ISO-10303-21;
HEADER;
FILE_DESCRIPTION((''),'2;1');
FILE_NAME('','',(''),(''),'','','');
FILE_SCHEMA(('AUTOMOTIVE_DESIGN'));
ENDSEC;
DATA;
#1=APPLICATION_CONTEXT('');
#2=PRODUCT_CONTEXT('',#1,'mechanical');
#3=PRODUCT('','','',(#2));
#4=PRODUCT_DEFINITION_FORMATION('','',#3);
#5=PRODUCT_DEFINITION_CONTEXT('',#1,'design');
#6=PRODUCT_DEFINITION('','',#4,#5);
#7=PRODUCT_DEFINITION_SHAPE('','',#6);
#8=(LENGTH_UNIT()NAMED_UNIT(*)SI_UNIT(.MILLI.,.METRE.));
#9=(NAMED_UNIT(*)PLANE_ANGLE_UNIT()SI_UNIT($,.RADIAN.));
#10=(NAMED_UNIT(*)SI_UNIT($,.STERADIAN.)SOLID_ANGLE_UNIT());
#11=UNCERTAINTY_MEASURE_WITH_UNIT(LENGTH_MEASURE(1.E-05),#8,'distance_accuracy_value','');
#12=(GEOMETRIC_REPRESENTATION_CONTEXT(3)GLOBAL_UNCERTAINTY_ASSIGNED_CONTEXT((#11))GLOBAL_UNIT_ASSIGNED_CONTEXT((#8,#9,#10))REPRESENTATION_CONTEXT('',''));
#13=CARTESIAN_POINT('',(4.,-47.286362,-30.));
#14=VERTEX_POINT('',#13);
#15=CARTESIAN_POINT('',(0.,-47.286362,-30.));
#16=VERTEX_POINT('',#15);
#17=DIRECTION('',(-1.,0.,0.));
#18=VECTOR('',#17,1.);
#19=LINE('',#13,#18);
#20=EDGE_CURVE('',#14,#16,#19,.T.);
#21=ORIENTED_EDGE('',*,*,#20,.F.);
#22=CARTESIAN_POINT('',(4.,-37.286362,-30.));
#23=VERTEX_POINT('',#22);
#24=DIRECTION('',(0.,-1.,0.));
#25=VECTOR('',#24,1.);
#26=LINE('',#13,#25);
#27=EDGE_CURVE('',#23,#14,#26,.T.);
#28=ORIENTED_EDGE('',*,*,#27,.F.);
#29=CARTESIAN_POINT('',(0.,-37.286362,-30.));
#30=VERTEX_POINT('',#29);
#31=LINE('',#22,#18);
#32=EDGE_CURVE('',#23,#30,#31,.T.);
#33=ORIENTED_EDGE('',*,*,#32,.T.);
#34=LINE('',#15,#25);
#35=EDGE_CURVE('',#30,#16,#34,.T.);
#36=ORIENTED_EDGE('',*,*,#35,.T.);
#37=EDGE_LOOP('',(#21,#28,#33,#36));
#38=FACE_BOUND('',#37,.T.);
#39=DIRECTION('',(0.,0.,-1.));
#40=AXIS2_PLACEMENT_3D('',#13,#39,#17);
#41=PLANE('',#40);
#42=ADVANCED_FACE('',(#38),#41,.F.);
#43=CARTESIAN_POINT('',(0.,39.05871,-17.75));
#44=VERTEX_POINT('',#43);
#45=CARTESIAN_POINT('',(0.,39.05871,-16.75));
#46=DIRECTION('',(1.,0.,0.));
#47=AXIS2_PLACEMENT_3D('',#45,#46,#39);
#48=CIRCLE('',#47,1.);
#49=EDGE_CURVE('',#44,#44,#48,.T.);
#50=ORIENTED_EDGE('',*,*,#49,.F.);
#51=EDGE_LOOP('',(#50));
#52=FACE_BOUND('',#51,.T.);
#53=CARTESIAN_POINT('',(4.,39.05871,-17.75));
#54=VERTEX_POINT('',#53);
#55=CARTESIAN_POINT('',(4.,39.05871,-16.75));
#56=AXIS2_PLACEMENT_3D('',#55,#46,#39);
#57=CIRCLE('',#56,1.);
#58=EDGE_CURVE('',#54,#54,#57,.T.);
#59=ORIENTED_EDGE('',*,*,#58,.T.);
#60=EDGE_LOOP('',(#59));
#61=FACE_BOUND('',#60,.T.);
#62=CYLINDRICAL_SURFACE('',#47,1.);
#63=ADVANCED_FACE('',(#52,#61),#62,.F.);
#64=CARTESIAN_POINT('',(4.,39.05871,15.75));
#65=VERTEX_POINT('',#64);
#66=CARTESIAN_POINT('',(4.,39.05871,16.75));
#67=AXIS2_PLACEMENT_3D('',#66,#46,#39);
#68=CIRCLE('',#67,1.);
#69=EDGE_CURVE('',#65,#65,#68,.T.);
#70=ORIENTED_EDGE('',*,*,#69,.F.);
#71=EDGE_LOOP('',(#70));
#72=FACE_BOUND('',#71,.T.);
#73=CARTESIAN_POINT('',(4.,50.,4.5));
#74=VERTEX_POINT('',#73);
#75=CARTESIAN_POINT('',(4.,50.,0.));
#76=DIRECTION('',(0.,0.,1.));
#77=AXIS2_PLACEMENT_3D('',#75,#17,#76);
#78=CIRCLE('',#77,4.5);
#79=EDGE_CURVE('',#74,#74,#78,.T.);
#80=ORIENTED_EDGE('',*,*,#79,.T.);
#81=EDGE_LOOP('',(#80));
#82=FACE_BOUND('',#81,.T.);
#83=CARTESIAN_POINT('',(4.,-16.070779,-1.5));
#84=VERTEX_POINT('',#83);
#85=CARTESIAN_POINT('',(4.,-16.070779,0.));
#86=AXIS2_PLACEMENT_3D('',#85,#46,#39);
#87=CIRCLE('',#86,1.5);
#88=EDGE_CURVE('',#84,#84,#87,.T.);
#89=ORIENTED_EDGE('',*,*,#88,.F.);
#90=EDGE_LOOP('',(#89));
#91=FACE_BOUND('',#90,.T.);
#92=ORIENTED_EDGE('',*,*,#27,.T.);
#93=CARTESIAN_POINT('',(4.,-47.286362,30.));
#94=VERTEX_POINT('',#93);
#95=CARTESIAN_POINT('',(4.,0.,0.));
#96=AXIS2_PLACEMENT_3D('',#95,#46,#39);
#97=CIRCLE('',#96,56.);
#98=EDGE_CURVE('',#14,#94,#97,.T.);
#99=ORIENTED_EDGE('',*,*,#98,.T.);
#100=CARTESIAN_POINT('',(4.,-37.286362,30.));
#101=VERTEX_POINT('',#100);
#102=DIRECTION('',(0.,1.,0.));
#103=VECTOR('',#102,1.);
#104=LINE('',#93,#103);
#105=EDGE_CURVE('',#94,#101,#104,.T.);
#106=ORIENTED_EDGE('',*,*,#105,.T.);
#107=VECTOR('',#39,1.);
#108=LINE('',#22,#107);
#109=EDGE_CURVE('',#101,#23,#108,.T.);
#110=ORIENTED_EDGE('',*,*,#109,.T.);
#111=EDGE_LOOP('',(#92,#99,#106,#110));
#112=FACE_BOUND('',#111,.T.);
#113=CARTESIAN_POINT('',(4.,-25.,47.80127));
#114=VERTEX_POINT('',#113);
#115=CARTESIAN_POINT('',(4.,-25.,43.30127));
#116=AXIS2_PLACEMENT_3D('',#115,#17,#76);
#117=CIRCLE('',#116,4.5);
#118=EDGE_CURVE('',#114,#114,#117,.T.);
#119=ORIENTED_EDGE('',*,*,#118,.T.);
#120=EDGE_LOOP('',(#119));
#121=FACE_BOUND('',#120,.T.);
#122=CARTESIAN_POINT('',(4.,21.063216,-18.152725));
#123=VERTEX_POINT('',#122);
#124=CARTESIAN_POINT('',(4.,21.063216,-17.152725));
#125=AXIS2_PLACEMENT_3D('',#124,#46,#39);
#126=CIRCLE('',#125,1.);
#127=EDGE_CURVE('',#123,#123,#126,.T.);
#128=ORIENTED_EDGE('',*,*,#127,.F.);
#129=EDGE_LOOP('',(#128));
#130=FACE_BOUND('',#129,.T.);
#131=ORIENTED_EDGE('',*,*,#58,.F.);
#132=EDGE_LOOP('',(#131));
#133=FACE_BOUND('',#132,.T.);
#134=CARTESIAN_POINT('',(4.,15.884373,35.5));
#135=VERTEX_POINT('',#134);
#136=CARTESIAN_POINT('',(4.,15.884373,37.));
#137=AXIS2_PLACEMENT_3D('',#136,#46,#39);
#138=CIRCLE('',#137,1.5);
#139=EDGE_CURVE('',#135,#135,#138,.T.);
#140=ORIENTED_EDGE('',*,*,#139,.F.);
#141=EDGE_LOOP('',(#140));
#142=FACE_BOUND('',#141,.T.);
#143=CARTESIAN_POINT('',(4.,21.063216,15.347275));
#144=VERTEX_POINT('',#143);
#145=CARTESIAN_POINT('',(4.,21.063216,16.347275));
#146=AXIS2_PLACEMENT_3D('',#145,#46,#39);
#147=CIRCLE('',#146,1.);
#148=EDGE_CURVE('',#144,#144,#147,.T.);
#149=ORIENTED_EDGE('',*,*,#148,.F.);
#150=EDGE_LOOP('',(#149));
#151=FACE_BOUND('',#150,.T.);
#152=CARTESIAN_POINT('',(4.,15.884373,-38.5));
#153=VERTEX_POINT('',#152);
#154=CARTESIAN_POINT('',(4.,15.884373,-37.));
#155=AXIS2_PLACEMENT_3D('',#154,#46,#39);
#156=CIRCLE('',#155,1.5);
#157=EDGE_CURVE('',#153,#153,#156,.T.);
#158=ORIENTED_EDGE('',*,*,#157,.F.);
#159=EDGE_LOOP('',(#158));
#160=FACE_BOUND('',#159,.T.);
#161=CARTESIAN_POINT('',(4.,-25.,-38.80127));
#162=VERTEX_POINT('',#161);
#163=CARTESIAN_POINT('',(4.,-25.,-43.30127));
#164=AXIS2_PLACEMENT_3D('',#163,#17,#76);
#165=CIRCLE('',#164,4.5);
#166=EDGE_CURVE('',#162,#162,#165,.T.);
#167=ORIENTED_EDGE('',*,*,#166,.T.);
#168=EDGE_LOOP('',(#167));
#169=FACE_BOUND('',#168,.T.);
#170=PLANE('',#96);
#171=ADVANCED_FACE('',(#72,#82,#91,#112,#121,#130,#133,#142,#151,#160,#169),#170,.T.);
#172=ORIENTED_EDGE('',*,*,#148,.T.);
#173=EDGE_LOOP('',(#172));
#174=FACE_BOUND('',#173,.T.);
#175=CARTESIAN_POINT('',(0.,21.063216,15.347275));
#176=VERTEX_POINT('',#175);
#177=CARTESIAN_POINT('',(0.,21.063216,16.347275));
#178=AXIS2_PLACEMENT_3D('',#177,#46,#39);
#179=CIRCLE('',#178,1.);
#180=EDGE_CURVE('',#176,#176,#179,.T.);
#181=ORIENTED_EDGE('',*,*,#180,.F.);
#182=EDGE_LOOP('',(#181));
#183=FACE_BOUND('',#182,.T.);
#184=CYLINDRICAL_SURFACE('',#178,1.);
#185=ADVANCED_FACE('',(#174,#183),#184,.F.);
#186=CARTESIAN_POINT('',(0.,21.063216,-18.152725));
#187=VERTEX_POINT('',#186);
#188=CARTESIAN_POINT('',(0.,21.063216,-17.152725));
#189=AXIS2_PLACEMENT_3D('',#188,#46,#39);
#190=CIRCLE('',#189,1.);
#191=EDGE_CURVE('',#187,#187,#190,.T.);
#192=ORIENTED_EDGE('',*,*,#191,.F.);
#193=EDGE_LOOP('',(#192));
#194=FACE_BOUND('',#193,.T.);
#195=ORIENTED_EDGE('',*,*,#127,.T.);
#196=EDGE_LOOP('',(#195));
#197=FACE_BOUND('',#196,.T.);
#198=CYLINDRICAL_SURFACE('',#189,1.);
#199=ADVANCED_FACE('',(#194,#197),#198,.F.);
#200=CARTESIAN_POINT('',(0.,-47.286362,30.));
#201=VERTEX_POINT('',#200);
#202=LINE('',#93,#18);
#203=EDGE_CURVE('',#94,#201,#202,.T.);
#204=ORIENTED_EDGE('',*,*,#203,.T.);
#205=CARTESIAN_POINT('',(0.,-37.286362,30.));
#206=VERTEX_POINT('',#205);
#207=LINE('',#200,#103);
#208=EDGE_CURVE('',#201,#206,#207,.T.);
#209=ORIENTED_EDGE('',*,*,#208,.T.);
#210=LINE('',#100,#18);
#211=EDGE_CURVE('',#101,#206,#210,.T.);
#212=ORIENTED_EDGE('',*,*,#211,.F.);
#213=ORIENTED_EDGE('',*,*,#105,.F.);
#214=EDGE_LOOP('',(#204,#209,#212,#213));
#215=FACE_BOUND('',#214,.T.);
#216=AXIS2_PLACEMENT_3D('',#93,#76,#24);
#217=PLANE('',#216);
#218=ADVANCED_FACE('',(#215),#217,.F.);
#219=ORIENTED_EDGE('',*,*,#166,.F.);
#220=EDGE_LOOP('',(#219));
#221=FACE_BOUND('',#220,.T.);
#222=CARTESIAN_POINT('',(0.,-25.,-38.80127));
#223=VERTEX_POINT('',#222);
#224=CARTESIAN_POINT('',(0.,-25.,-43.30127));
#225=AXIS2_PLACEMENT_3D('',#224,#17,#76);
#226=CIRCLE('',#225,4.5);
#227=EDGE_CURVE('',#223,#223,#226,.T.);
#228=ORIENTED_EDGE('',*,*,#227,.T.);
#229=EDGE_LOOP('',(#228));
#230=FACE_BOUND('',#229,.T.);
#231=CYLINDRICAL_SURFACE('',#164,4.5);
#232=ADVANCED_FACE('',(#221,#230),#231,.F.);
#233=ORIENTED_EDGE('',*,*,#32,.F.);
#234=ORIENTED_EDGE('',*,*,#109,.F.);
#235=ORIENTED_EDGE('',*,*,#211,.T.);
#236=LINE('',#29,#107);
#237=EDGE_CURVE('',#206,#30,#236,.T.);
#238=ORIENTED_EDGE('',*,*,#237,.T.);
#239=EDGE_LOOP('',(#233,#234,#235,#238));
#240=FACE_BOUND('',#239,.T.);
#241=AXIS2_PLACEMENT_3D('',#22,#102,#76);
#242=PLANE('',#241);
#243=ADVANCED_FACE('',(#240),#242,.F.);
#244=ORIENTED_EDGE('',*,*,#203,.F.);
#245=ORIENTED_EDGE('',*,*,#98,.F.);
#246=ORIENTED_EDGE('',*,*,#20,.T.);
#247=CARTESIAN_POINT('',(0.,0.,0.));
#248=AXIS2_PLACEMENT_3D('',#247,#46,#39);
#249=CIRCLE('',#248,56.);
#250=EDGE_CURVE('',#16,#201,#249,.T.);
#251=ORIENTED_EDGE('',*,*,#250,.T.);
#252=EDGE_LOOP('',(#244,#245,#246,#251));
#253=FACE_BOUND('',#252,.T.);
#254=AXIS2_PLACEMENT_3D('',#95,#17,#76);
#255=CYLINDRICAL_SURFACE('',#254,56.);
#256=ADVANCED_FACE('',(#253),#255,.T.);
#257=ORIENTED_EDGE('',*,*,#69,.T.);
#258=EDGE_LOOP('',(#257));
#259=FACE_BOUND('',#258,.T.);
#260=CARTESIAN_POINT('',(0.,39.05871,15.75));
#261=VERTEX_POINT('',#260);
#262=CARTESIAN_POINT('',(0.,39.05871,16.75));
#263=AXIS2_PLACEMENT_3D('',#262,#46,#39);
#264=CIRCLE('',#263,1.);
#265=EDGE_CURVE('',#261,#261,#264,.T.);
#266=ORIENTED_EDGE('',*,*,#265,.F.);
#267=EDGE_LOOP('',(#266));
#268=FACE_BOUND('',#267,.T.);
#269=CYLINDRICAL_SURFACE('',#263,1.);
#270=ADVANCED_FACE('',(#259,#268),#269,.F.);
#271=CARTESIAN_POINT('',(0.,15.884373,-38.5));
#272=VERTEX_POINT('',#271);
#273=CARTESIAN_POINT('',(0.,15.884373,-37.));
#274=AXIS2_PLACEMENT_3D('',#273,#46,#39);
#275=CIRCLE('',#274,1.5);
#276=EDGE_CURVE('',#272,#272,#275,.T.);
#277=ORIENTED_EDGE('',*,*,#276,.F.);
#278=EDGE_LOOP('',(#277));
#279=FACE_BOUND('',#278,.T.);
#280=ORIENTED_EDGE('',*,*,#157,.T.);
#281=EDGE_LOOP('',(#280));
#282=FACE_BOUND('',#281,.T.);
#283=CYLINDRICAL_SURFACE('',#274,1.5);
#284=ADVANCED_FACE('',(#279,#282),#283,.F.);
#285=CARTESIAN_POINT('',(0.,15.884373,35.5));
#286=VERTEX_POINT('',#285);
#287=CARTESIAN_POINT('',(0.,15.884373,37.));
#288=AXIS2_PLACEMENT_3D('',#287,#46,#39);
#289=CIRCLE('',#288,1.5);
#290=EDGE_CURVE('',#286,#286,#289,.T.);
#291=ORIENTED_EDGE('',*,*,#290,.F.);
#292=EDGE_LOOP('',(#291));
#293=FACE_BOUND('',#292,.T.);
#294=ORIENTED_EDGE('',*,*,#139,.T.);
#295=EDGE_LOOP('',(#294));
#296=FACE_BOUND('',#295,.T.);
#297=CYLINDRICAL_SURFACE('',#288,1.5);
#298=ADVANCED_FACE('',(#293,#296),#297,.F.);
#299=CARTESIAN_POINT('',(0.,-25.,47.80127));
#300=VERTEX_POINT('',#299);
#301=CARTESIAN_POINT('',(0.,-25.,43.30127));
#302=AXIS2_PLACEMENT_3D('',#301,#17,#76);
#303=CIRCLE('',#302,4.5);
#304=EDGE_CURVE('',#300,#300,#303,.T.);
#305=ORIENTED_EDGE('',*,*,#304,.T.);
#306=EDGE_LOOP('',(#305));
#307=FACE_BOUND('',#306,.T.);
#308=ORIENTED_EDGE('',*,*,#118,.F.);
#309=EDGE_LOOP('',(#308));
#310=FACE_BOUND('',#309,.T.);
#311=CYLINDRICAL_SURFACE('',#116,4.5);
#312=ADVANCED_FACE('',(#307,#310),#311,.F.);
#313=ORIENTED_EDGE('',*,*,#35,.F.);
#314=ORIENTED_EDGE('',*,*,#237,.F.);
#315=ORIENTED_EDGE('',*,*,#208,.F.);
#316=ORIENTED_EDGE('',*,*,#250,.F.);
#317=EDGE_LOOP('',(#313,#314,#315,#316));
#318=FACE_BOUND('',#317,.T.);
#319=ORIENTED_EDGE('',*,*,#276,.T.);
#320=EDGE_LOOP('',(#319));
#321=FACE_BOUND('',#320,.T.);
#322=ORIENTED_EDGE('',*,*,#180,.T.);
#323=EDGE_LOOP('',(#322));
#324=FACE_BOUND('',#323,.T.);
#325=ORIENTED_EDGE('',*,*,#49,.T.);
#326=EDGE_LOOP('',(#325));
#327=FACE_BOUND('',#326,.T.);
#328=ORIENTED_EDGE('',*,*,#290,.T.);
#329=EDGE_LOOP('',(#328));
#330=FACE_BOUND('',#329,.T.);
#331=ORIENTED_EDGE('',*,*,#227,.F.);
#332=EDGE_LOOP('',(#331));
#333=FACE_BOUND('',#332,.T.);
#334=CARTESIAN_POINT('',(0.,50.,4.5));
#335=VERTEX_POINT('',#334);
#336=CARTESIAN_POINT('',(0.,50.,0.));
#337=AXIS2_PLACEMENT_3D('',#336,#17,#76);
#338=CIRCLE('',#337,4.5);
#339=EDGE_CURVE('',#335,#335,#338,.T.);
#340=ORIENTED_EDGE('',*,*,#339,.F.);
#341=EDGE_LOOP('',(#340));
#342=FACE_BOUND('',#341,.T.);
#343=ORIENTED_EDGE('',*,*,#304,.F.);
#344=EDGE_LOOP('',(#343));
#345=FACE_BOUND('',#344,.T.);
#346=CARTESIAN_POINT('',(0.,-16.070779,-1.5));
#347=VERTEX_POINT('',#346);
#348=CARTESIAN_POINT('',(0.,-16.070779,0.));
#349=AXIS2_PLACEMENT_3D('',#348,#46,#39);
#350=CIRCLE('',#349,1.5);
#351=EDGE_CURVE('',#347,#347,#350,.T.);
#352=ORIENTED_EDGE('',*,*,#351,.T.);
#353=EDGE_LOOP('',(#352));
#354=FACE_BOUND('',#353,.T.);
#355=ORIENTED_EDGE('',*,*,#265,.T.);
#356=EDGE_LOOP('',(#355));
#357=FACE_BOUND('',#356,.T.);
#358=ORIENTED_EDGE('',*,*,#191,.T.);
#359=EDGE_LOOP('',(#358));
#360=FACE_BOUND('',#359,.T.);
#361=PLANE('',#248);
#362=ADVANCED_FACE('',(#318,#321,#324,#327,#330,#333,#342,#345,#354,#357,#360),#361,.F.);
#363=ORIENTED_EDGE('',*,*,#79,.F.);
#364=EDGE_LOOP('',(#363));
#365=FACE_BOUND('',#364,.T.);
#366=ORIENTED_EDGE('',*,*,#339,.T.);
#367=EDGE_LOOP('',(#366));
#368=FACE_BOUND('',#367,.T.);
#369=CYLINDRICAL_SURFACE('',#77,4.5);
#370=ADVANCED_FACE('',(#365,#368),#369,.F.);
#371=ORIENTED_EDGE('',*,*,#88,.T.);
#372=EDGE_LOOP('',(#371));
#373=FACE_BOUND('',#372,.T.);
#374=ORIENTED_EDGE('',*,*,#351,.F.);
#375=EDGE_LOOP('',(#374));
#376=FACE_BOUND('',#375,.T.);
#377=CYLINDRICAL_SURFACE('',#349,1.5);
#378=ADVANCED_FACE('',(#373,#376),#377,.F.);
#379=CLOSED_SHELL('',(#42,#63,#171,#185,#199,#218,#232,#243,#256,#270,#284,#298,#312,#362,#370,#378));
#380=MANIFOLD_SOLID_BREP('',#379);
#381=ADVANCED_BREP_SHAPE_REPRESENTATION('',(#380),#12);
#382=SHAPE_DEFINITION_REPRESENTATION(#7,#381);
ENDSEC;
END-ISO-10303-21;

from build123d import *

# Parameters (mm, degrees)
SKETCH1_R           = 56
BOSS_EXTRUDE1_DEPTH = 4
SKETCH2_R           = 4.5
CUT_EXTRUDE1_DEPTH  = 80.296910406
CUT_EXTRUDE2_DEPTH  = 80.296910406
SKETCH4_R           = 1
SKETCH4_R_2         = 1.5
CUT_EXTRUDE3_DEPTH  = 80.296910406


with BuildPart() as part:
    # Sketch1 → Boss-Extrude1 (new body)
    with BuildSketch(Plane(origin=(0, 0, 0), x_dir=(0, 0, -1), z_dir=(1, 0, 0))):
        Circle(SKETCH1_R)
    extrude(amount=BOSS_EXTRUDE1_DEPTH)

    # Sketch2 → Cut-Extrude1 (cut, through all)
    with BuildSketch(Plane.ZY):
        with Locations((0, 50)):
            Circle(SKETCH2_R)
        with Locations((43.301270189, -25)):
            Circle(SKETCH2_R)
        with Locations((-43.301270189, -25)):
            Circle(SKETCH2_R)
    extrude(amount=-CUT_EXTRUDE1_DEPTH, mode=Mode.SUBTRACT)

    # Sketch3 → Cut-Extrude2 (cut, through all)
    with BuildSketch(Plane.ZY):
        with BuildLine():
            Line((-30, -47.28636167), (-30, -37.28636167))
            Line((-30, -37.28636167), (30, -37.28636167))
            Line((30, -37.28636167), (30, -47.28636167))
            ThreePointArc((30, -47.28636167), (0, -56), (-30, -47.28636167))
        make_face()
    extrude(amount=-CUT_EXTRUDE2_DEPTH, mode=Mode.SUBTRACT)

    # Sketch4 → Cut-Extrude3 (cut, through all)
    with BuildSketch(Plane(origin=(4, 0, 0), x_dir=(0, 0, -1), z_dir=(1, 0, 0))):
        with Locations((-16.75, 39.058710316)):
            Circle(SKETCH4_R)
        with Locations((16.75, 39.058710316)):
            Circle(SKETCH4_R)
        with Locations((17.152725495, 21.063216097)):
            Circle(SKETCH4_R)
        with Locations((-16.347274505, 21.063216097)):
            Circle(SKETCH4_R)
        with Locations((-37, 15.884372564)):
            Circle(SKETCH4_R_2)
        with Locations((0, -16.070778671)):
            Circle(SKETCH4_R_2)
        with Locations((37, 15.884372564)):
            Circle(SKETCH4_R_2)
    extrude(amount=-CUT_EXTRUDE3_DEPTH, mode=Mode.SUBTRACT)


solid = part.part
